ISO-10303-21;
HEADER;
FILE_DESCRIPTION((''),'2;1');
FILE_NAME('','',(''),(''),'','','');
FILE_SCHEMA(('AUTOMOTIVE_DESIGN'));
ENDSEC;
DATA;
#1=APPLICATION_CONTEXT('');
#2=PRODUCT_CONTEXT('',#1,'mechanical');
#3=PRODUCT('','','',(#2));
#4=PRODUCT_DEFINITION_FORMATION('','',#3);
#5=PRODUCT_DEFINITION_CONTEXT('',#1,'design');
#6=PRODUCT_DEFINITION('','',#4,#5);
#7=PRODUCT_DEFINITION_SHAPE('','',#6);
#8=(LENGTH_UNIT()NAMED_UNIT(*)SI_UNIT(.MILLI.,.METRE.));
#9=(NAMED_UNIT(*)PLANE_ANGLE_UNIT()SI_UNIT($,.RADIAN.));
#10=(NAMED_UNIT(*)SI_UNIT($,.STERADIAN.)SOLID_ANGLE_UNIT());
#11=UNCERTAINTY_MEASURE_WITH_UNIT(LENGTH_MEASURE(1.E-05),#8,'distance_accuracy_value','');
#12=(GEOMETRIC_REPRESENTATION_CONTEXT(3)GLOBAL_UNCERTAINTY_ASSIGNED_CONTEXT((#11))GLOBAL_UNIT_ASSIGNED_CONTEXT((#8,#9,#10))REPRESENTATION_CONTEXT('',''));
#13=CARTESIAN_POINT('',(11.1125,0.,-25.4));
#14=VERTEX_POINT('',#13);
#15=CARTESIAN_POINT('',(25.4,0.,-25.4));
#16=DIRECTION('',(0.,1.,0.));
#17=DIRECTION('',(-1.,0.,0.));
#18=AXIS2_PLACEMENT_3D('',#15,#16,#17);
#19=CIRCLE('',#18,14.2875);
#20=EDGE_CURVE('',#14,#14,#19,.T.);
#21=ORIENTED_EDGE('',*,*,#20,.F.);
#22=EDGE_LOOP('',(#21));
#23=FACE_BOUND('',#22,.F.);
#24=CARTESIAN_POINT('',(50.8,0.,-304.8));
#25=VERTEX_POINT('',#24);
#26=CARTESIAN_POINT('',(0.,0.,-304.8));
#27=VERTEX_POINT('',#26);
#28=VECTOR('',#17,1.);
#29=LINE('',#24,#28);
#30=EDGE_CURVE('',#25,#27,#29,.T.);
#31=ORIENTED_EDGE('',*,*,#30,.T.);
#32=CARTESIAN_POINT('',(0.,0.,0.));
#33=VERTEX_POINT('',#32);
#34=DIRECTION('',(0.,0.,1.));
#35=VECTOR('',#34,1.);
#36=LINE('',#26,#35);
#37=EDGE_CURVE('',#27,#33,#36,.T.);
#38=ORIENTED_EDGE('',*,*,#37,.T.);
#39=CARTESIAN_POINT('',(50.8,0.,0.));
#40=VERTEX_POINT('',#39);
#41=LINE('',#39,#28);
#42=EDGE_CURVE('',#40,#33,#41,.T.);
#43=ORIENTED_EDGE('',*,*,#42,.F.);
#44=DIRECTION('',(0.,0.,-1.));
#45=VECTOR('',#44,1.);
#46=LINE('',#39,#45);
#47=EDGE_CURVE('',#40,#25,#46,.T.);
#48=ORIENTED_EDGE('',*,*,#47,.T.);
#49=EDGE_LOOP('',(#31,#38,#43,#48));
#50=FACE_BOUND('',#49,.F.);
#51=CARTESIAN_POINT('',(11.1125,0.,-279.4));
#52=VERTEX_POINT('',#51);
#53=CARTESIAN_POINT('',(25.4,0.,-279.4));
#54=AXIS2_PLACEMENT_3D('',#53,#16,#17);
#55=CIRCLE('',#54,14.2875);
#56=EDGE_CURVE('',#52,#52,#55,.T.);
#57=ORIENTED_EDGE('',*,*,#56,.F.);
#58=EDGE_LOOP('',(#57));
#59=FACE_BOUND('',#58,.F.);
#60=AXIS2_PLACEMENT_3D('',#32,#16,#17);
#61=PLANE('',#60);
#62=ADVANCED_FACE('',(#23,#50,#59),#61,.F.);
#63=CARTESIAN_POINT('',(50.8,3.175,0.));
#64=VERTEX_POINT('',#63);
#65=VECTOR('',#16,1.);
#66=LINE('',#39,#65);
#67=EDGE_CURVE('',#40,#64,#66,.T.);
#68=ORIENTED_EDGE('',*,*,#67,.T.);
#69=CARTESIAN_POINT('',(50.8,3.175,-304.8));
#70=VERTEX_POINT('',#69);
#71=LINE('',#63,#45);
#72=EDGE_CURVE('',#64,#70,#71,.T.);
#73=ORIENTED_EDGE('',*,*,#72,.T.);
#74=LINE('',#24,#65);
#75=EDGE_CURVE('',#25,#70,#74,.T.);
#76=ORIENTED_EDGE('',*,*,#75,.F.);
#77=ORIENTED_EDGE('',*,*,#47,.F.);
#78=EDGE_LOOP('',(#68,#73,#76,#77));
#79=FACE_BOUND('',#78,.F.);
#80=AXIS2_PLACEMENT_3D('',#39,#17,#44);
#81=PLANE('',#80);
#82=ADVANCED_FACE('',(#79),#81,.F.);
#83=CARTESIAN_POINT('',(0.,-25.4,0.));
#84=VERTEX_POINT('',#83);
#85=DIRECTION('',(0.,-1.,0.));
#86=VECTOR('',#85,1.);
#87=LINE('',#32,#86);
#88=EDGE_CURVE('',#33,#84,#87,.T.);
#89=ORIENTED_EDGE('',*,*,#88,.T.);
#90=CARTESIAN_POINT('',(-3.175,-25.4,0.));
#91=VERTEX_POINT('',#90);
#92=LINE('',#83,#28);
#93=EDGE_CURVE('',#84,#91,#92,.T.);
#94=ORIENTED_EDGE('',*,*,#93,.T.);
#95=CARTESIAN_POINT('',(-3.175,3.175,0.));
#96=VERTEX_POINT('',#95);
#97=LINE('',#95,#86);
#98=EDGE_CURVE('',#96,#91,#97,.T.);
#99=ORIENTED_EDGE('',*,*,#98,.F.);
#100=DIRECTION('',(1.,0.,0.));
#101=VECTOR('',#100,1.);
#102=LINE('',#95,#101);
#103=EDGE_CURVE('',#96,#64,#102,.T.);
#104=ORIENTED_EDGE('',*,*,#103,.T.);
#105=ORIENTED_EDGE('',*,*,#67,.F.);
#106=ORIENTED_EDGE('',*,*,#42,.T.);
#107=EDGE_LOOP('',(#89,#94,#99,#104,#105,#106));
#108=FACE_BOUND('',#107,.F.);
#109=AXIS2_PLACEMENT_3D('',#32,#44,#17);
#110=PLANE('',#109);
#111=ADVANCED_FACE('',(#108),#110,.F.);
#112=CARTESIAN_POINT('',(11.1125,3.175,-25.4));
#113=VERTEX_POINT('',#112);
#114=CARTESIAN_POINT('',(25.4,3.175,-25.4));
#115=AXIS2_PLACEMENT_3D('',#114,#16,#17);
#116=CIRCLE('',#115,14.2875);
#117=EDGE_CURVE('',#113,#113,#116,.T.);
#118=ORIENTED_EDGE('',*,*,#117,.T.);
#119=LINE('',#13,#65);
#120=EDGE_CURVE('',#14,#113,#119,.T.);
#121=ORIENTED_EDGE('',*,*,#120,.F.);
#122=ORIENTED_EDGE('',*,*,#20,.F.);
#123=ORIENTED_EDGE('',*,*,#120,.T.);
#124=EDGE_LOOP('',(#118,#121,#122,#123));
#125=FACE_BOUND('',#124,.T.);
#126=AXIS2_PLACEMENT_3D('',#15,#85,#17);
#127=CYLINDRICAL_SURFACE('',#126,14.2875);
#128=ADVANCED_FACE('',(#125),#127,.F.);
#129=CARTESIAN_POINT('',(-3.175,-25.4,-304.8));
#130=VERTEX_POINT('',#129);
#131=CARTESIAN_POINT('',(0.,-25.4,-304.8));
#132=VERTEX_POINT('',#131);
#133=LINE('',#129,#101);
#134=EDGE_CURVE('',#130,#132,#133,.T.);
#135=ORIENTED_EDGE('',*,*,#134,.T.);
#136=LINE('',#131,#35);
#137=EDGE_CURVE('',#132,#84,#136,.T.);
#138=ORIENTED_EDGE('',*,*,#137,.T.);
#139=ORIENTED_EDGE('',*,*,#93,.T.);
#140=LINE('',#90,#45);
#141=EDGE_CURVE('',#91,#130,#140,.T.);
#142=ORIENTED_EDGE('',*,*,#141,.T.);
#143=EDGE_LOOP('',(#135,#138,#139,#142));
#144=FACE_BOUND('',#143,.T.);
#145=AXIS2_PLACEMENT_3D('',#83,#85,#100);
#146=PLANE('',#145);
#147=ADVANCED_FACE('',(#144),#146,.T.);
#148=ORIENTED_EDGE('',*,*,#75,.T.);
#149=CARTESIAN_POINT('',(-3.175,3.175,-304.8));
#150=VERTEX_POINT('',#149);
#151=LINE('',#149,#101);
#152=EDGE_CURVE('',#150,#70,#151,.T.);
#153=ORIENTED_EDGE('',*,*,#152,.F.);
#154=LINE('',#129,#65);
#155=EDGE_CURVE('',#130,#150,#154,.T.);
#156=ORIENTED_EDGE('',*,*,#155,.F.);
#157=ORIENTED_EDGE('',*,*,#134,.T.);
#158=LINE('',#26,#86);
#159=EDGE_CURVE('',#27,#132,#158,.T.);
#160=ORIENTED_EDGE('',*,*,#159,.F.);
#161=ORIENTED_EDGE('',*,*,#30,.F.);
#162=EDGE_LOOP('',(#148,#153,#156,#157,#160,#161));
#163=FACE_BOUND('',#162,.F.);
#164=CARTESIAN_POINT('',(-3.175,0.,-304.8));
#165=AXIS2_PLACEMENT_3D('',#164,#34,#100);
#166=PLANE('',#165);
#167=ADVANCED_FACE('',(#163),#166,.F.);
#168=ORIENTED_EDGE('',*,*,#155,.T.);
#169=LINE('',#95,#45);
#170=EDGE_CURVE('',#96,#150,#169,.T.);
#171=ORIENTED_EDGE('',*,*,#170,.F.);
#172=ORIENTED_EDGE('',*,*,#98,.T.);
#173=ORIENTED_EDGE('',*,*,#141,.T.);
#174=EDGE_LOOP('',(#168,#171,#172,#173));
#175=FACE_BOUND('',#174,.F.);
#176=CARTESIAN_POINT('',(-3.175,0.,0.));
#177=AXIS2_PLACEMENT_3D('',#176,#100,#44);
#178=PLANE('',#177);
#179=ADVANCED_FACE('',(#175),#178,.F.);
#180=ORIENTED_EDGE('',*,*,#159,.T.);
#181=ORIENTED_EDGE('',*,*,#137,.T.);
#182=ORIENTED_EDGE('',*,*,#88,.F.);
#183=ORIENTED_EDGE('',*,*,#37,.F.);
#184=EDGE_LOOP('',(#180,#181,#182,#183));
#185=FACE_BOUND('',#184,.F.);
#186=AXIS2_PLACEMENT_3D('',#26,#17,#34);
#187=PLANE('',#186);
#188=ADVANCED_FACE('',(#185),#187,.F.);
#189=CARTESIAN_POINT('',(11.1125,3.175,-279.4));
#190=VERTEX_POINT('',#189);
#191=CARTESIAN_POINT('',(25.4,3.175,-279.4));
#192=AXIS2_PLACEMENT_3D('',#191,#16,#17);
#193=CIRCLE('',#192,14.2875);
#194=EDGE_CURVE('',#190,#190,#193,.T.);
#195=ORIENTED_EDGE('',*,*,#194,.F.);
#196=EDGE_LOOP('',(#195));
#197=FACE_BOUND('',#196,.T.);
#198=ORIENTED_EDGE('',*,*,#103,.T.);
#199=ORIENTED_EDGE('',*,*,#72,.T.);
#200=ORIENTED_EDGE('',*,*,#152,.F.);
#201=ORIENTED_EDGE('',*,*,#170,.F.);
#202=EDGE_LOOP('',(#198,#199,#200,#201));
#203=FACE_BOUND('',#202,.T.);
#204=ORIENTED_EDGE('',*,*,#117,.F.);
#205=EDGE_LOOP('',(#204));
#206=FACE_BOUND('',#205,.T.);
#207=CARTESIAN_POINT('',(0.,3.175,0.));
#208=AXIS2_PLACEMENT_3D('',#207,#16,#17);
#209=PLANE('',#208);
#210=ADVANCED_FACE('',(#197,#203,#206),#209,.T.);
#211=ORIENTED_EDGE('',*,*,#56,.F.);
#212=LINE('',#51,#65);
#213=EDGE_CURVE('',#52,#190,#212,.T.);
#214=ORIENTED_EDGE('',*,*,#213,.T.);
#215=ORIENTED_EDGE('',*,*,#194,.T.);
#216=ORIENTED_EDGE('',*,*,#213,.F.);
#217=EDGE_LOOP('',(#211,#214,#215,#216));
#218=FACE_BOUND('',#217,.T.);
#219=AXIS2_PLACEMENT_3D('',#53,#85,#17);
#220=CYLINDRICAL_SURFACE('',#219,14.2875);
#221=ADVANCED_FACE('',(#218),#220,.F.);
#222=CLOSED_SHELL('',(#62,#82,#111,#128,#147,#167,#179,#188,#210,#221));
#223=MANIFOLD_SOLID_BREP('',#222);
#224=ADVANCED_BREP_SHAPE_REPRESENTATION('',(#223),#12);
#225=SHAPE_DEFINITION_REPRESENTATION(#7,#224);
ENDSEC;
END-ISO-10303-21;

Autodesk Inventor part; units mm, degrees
ref_plane "YZ Plane" through (0, 0, 0) normal (1, 0, 0) x (0, 1, 0)
ref_plane "XZ Plane" through (0, 0, 0) normal (0, 1, 0) x (-1, 0, 0)
ref_plane "XY Plane" through (0, 0, 0) normal (0, 0, 1) x (1, 0, 0)
sketch "Sketch1" plane through (0, 0, 0) normal (0, 1, 0) x (-1, 0, 0)
  line L0 (0, 0) -> (-50.8, 0)
  line L1 (-50.8, 0) -> (-50.8, -304.8)
  line L2 (-50.8, -304.8) -> (0, -304.8)
  line L3 (0, -304.8) -> (0, 0)
  circle A0 centre (-25.4, -25.4) radius 14.2875
  circle A1 centre (-25.4, -279.4) radius 14.2875
  dimension "d0" = 304.8
  dimension "d1" = 50.8
  dimension "d2" = 25.4
  dimension "d3" = 25.4
  dimension "d4" = 25.4
  dimension "d5" = 25.4
  dimension "d6" = 28.575
  dimension "d7" = 28.575
extrude "Extrusion1" add sketch "Sketch1" along normal blind 3.175
sketch "Sketch2" plane through (0, 0, -304.8) normal (-1, 0, 0) x (0, 0, 1)
  line L0 (304.8, 3.175) -> (0, 3.175)
  line L1 (0, 3.175) -> (0, 0)
  line L2 (0, 0) -> (304.8, 0)
  line L3 (304.8, 0) -> (304.8, 3.175)
extrude "Extrusion2" add sketch "Sketch2" along normal blind 3.175
sketch "Sketch3" plane through (0, 0, 0) normal (0, -1, 0) x (1, 0, 0)
  line L0 (0, 0) -> (-3.175, 0)
  line L1 (-3.175, 0) -> (-3.175, -304.8)
  line L2 (-3.175, -304.8) -> (0, -304.8)
  line L3 (0, -304.8) -> (0, 0)
extrude "Extrusion3" add sketch "Sketch3" along normal blind 25.4
properties part number "chainguard" material "Aluminum 6061"
